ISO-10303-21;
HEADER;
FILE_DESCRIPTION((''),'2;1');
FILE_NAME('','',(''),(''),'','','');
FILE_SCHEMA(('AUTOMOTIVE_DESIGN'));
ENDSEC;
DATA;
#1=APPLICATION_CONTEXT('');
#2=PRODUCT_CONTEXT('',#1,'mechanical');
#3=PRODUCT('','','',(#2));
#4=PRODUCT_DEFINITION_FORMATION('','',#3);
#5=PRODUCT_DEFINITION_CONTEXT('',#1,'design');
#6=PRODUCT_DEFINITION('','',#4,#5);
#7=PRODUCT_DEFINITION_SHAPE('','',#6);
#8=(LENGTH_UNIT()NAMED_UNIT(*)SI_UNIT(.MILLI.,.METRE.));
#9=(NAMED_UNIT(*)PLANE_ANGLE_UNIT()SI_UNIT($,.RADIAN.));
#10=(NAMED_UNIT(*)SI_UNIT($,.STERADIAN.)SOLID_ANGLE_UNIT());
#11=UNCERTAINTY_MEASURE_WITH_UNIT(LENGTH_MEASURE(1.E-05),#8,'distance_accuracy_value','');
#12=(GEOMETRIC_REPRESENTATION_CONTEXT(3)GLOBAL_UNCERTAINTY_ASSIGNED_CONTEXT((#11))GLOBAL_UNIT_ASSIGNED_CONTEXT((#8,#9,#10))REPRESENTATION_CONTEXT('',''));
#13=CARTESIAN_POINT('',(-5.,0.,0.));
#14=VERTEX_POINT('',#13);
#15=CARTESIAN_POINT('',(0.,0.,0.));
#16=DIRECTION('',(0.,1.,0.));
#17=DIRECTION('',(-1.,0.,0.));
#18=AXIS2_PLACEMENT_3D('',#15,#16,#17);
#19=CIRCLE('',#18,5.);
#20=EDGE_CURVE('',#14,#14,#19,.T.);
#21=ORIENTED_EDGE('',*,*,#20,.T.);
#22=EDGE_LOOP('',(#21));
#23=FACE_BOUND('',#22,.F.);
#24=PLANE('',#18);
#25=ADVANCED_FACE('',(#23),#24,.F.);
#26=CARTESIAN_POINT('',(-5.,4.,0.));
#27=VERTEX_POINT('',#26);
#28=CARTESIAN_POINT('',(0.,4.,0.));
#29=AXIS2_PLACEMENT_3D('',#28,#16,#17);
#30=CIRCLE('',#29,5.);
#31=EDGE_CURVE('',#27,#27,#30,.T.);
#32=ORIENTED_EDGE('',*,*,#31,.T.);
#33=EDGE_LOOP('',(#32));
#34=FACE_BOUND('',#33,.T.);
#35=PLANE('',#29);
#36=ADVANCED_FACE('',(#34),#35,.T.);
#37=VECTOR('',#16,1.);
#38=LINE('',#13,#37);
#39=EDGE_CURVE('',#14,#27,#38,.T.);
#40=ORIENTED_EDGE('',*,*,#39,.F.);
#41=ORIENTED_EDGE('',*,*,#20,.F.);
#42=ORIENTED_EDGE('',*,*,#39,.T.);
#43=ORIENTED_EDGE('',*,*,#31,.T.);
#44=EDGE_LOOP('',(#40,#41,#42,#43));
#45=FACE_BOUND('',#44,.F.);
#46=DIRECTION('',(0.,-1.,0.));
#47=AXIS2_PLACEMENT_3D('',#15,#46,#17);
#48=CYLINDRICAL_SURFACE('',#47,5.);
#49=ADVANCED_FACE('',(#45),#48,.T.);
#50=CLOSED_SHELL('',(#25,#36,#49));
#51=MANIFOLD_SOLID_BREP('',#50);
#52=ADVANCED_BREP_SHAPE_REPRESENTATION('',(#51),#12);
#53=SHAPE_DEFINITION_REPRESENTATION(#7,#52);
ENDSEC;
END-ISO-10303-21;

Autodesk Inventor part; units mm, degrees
ref_plane "YZ Plane" through (0, 0, 0) normal (1, 0, 0) x (0, 1, 0)
ref_plane "XZ Plane" through (0, 0, 0) normal (0, 1, 0) x (-1, 0, 0)
ref_plane "XY Plane" through (0, 0, 0) normal (0, 0, 1) x (1, 0, 0)
sketch "スケッチ1" plane through (0, 0, 0) normal (0, 1, 0) x (-1, 0, 0)
  circle A0 centre (0, 0) radius 5
  dimension "d0" = 10
extrude "押し出し1" add sketch "スケッチ1" along normal blind 4
properties part number "Motor"
